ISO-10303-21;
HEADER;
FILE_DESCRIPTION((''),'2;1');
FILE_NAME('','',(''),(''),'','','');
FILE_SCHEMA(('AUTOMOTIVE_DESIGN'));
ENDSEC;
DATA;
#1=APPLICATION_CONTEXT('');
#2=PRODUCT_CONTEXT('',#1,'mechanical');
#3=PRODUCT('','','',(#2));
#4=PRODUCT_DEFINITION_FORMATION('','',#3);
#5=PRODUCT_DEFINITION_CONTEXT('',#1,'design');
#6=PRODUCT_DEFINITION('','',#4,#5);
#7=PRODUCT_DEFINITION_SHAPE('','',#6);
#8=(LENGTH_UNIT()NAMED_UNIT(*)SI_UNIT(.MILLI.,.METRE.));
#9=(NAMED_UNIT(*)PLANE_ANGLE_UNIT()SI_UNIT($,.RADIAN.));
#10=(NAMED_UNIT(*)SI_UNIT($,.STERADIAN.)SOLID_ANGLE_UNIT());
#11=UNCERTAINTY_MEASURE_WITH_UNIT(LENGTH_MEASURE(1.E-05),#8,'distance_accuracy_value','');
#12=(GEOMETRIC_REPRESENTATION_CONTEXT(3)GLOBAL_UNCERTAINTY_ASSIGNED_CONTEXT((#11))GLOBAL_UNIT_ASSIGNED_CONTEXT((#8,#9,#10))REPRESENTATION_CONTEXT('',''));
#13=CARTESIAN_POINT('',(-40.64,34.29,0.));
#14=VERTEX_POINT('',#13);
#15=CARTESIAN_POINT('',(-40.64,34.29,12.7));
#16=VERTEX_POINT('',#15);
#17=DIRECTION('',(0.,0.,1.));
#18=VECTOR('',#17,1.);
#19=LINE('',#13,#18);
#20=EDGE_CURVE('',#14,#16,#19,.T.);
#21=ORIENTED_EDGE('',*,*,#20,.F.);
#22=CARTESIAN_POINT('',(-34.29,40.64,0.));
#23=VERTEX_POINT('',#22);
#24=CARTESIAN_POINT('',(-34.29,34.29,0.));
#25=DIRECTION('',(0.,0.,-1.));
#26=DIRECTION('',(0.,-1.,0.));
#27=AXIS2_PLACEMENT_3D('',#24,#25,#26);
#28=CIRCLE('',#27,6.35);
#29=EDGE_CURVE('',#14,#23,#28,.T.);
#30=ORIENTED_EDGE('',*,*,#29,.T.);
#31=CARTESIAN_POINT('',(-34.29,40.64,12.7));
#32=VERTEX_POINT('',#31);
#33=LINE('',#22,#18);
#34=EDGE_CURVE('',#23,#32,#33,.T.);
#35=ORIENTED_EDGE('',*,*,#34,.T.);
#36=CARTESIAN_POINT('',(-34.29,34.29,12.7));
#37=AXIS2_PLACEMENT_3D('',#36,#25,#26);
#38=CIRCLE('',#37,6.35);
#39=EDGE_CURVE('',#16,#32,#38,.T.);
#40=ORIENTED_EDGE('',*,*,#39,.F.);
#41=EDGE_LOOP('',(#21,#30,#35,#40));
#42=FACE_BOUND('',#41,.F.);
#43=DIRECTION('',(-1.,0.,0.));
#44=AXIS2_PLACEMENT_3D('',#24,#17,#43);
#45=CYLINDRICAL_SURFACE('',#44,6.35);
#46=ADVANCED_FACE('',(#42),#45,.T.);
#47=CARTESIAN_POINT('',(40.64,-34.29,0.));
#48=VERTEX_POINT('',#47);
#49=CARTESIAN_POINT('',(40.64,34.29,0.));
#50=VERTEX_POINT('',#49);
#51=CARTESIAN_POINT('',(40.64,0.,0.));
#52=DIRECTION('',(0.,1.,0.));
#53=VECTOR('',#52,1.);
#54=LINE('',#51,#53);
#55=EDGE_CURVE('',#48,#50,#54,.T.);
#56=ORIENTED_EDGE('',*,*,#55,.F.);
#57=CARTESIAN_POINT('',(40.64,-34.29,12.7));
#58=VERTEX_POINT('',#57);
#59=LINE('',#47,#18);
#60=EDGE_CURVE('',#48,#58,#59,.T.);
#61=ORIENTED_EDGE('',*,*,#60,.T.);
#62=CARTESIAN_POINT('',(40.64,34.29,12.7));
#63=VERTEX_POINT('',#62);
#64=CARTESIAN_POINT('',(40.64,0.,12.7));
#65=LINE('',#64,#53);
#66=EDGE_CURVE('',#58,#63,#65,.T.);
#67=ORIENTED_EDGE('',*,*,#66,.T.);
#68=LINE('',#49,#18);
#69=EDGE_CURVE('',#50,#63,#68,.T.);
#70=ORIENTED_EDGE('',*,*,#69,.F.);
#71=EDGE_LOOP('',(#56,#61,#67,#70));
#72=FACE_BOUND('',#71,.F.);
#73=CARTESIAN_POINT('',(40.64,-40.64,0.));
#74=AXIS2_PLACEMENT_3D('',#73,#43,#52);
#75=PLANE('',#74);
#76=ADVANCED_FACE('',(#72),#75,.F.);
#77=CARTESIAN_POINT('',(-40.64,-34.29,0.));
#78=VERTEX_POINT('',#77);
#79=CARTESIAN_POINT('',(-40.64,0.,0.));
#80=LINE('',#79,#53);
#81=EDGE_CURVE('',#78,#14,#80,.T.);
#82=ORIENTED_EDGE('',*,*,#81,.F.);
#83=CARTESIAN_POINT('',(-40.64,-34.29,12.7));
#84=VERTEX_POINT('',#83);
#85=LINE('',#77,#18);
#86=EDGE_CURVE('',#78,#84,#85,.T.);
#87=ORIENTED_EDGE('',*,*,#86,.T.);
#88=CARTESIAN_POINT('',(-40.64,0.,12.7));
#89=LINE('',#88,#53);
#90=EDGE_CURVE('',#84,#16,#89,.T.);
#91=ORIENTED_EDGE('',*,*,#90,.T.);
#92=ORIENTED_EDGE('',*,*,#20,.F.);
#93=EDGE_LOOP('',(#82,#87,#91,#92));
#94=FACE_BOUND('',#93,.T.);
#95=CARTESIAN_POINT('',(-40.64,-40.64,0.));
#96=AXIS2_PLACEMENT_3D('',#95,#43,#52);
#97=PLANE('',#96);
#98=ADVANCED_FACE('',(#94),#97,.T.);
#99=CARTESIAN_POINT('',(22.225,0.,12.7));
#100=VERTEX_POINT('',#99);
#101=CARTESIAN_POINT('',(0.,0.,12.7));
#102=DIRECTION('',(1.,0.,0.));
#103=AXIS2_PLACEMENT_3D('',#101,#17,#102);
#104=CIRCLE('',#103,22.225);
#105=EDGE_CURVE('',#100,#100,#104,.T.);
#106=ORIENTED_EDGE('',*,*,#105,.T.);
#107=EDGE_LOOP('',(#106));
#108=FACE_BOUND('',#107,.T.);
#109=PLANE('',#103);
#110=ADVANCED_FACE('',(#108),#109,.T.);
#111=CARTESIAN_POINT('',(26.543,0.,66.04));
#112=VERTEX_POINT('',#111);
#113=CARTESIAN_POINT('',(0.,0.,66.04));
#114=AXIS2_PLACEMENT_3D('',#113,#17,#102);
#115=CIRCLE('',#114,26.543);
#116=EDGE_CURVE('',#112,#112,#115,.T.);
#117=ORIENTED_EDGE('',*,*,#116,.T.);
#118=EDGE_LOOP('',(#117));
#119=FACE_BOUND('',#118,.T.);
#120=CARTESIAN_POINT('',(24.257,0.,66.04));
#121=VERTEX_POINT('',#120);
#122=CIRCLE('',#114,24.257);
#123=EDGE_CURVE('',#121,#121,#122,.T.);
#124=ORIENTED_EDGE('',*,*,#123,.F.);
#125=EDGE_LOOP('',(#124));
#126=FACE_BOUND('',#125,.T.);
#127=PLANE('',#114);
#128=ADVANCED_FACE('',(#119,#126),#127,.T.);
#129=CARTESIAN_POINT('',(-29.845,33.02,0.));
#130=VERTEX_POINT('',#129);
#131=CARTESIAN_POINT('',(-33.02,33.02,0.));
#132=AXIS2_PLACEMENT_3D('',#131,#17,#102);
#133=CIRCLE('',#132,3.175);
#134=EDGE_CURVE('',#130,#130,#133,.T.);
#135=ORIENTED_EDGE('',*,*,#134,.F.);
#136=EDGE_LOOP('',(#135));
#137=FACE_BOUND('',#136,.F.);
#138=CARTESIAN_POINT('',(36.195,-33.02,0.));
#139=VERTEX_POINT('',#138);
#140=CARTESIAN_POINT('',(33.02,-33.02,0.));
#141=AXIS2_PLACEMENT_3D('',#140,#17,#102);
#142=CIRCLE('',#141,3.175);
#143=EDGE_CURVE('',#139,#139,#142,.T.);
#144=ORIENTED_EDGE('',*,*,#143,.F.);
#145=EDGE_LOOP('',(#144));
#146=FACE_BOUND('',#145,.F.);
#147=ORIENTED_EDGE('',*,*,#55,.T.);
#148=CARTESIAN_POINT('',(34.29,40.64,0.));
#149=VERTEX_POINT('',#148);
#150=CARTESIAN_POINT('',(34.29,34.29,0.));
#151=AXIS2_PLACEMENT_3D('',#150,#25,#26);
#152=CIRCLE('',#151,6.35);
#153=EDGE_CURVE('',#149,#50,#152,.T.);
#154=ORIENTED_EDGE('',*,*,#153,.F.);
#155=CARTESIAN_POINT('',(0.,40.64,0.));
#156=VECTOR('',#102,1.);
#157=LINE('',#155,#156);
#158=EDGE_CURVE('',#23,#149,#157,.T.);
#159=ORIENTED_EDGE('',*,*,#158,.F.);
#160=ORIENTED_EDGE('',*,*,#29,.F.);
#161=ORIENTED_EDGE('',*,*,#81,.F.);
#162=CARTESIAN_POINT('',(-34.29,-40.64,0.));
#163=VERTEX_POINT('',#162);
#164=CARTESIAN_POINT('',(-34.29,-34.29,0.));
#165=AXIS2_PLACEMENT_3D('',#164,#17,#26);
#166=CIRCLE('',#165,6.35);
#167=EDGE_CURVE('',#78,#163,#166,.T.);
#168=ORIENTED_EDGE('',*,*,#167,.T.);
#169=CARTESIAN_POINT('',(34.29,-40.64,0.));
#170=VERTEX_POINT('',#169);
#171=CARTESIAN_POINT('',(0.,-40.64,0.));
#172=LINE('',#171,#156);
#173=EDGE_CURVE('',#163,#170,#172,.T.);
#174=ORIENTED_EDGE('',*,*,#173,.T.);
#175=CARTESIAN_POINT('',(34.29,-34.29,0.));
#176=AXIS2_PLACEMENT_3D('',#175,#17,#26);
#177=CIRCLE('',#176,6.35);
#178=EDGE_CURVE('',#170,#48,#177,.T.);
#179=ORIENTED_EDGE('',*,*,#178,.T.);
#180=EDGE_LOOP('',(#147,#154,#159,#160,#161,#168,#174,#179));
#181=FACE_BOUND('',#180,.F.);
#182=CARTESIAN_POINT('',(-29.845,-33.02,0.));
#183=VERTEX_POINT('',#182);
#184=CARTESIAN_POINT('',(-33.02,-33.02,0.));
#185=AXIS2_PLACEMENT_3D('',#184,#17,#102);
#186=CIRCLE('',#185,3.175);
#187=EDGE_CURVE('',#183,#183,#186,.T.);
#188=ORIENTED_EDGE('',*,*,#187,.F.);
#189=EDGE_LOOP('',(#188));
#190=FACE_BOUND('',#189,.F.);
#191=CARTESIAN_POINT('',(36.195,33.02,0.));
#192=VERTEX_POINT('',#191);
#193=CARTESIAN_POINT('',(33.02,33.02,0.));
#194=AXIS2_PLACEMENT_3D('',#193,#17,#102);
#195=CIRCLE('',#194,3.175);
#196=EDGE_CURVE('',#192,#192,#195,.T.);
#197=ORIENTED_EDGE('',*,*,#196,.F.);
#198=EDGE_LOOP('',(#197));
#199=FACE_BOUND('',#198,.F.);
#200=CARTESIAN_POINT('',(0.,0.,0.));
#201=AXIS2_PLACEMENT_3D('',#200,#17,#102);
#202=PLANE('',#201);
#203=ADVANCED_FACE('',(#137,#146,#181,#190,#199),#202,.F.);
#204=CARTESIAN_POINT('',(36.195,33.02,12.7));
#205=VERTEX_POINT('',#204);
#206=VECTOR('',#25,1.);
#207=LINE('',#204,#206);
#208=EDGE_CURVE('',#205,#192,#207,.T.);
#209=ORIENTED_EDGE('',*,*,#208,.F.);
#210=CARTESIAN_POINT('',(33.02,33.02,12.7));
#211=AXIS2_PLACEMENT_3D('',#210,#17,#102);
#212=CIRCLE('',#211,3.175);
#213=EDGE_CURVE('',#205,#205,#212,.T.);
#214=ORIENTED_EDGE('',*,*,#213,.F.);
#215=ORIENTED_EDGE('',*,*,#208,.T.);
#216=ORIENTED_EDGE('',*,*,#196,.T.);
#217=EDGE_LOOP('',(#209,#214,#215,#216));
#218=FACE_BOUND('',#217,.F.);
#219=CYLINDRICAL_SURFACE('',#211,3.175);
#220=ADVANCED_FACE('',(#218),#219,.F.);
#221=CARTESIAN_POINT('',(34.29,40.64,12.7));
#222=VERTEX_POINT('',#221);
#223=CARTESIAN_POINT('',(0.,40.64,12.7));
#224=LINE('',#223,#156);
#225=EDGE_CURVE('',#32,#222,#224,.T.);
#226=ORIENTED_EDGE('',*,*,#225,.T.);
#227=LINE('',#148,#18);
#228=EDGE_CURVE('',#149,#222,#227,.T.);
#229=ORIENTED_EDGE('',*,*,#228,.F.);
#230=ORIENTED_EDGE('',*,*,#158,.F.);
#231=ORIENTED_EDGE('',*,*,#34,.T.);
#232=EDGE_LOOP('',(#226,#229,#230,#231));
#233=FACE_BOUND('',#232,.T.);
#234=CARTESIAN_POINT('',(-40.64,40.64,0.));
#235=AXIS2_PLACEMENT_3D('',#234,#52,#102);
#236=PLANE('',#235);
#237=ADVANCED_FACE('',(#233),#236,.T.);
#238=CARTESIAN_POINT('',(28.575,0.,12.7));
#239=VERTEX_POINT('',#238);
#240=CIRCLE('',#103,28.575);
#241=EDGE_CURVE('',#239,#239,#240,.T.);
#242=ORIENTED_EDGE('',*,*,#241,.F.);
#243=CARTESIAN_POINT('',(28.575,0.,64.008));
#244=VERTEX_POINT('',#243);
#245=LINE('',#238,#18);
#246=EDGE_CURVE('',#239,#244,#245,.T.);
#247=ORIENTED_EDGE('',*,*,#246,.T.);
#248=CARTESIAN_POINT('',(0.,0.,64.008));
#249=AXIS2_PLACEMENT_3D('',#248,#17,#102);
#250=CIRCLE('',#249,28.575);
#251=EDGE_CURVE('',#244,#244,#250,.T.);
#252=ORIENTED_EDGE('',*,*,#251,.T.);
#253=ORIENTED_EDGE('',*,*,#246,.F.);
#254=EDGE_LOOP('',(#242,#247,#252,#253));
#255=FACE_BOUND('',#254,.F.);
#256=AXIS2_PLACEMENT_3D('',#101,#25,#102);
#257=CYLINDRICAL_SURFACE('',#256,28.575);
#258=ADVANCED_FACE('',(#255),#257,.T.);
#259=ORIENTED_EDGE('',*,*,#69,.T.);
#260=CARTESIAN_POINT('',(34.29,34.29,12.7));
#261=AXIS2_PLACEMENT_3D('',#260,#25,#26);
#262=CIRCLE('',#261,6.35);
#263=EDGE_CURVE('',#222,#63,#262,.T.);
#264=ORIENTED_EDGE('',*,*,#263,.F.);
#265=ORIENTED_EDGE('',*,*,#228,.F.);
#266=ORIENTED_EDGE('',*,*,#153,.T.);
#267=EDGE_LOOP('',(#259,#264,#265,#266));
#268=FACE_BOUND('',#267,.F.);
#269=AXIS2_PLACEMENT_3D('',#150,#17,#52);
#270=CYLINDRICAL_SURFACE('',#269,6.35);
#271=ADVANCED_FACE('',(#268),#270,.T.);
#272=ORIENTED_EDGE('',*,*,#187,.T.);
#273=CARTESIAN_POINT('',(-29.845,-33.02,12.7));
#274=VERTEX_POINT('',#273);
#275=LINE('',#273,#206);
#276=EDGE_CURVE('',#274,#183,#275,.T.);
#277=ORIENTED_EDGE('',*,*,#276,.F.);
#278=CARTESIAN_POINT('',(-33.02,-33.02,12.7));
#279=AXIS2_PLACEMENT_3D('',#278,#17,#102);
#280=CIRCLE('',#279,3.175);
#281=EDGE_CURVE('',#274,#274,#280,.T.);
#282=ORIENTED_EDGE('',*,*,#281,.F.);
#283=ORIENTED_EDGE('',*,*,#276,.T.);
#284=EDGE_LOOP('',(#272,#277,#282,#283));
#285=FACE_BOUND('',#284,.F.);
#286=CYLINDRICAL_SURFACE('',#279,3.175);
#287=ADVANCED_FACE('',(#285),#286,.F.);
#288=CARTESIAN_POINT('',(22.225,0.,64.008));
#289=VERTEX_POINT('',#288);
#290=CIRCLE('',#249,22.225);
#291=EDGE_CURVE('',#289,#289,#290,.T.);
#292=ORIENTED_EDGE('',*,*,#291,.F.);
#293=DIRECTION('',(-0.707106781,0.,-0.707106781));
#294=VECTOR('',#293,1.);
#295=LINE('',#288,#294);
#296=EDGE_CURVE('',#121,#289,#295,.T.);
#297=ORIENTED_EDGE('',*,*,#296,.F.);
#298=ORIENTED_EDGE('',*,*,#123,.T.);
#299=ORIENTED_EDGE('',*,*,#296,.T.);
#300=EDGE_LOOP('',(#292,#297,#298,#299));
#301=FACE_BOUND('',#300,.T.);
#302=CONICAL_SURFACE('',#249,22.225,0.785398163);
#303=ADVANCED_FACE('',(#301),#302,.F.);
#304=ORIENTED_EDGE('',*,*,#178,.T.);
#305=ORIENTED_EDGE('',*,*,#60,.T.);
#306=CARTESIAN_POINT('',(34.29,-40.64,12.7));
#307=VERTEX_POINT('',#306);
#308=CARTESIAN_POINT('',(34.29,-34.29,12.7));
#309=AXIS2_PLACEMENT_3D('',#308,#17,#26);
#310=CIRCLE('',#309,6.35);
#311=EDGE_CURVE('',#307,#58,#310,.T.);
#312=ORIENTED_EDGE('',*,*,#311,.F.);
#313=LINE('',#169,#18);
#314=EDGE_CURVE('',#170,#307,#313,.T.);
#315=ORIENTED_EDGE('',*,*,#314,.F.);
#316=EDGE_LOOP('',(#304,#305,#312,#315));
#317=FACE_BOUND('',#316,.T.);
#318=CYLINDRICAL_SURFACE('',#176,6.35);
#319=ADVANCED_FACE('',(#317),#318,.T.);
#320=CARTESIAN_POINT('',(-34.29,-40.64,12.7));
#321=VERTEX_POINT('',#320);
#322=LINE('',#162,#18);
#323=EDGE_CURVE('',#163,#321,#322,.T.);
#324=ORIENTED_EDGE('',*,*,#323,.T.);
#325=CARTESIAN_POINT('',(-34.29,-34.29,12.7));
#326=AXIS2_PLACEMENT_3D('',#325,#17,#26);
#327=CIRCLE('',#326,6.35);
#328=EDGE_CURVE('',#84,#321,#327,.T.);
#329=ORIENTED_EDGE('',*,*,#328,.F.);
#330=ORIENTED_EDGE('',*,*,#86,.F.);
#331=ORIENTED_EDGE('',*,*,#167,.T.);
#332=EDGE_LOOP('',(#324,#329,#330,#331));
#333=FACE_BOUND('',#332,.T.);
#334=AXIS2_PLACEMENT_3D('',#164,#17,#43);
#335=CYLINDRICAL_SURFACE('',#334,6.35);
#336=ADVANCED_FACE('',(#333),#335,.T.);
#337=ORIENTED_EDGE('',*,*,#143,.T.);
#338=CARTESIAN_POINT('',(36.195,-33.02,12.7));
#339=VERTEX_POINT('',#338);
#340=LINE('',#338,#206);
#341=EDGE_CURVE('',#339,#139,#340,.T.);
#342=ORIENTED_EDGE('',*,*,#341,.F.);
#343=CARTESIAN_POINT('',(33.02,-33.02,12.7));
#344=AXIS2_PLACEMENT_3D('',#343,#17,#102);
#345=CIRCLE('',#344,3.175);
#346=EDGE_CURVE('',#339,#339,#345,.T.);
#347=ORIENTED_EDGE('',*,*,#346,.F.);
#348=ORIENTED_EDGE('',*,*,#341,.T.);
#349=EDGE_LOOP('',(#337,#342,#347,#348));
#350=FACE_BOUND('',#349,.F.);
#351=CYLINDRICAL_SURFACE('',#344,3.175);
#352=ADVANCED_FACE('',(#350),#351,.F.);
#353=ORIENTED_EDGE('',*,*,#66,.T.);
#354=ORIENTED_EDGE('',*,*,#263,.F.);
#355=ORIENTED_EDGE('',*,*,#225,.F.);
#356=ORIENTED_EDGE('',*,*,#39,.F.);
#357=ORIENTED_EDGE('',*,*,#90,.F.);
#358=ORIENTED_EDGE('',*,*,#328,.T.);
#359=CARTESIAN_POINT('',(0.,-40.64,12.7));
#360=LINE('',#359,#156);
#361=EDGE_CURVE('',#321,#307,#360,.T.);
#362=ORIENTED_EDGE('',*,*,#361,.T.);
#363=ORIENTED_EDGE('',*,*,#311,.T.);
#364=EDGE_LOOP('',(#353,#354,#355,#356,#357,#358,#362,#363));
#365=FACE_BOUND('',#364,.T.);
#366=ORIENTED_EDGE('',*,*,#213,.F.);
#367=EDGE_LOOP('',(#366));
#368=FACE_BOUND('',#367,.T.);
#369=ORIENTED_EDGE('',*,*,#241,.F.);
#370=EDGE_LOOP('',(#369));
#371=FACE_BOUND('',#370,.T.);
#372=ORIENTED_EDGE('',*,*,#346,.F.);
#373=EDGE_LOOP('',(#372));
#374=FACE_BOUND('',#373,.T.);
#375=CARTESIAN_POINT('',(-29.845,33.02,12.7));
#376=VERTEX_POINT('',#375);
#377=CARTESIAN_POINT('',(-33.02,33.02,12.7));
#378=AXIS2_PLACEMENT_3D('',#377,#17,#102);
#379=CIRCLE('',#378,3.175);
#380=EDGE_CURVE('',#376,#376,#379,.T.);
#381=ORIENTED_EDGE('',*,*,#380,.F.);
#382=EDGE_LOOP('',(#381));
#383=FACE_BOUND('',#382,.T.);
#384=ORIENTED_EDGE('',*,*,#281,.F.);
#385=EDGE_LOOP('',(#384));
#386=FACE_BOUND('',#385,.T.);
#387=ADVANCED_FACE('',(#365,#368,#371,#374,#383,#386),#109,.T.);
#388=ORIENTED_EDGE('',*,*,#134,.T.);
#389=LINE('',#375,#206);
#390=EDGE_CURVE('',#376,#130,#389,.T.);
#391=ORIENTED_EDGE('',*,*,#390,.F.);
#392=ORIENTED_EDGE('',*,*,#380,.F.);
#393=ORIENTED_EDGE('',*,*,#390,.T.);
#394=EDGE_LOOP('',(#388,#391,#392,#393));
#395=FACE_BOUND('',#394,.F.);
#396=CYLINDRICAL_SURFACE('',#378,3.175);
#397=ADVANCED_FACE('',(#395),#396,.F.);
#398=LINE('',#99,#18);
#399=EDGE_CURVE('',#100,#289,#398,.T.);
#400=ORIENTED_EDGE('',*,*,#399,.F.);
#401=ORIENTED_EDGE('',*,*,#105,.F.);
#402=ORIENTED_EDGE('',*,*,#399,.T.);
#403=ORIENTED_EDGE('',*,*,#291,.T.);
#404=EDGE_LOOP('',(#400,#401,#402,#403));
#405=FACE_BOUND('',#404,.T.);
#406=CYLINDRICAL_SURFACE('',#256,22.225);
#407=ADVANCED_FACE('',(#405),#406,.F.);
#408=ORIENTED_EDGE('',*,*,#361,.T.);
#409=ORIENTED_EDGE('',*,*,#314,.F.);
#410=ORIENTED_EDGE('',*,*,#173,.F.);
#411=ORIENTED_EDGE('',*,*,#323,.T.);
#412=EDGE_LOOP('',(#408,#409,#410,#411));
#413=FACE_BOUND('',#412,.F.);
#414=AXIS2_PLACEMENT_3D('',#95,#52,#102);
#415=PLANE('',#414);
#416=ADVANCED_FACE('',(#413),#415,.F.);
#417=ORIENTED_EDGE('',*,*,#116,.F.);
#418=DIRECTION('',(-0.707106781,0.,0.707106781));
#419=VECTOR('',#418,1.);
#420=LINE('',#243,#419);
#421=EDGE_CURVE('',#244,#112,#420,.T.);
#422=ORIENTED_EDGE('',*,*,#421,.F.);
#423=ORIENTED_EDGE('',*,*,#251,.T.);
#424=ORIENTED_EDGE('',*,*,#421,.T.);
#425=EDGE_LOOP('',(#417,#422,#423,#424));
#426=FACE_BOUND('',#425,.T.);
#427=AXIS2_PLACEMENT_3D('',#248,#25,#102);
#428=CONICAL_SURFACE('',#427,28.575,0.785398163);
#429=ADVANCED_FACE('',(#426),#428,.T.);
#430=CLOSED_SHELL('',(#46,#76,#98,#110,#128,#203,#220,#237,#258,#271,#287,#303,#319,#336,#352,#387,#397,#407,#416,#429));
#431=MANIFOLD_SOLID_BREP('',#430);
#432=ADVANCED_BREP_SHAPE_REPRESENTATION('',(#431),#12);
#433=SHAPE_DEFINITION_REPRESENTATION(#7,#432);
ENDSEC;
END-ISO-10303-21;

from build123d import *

# Parameters (mm, degrees)
F0_W     = 81.28
F0_H     = 81.28
F1_DEPTH = 12.7
F2_R     = 28.575
F2_R_2   = 22.225
F3_DEPTH = 53.34
F4_R     = 3.175
F5_DEPTH = 12.701
F6_R     = 6.35
F7_SIZE  = 2.032


with BuildPart() as f1:
    # F0 (on Top) → F1 (new body)
    with BuildSketch(Plane.XY):
        Rectangle(F0_W, F0_H)
    extrude(amount=F1_DEPTH)

    # F2 (on face) → F3 (join)
    with BuildSketch(Plane.XY.offset(12.7)):
        Circle(F2_R)
        Circle(F2_R_2, mode=Mode.SUBTRACT)
    extrude(amount=F3_DEPTH)

    # F4 (on face) → F5 (cut, through all)
    with BuildSketch(Plane.XY.offset(12.7)):
        with Locations((33.02, 33.02)):
            Circle(F4_R)
        with Locations((33.02, -33.02)):
            Circle(F4_R)
        with Locations((-33.02, -33.02)):
            Circle(F4_R)
        with Locations((-33.02, 33.02)):
            Circle(F4_R)
    extrude(amount=-F5_DEPTH, mode=Mode.SUBTRACT)

    # F6
    f6_edges = [f1.edges().sort_by_distance(p)[0] for p in [
        (-40.64, -40.64, 6.35),
        (-40.64, 40.64, 6.35),
        (40.64, 40.64, 6.35),
        (40.64, -40.64, 6.35),
    ]]
    fillet(f6_edges, radius=F6_R)

    # F7
    f7_edges = [f1.edges().sort_by_distance(p)[0] for p in [
        (-22.225, 0, 66.04),
        (-28.575, 0, 66.04),
    ]]
    chamfer(f7_edges, length=F7_SIZE)


solid = f1.part
